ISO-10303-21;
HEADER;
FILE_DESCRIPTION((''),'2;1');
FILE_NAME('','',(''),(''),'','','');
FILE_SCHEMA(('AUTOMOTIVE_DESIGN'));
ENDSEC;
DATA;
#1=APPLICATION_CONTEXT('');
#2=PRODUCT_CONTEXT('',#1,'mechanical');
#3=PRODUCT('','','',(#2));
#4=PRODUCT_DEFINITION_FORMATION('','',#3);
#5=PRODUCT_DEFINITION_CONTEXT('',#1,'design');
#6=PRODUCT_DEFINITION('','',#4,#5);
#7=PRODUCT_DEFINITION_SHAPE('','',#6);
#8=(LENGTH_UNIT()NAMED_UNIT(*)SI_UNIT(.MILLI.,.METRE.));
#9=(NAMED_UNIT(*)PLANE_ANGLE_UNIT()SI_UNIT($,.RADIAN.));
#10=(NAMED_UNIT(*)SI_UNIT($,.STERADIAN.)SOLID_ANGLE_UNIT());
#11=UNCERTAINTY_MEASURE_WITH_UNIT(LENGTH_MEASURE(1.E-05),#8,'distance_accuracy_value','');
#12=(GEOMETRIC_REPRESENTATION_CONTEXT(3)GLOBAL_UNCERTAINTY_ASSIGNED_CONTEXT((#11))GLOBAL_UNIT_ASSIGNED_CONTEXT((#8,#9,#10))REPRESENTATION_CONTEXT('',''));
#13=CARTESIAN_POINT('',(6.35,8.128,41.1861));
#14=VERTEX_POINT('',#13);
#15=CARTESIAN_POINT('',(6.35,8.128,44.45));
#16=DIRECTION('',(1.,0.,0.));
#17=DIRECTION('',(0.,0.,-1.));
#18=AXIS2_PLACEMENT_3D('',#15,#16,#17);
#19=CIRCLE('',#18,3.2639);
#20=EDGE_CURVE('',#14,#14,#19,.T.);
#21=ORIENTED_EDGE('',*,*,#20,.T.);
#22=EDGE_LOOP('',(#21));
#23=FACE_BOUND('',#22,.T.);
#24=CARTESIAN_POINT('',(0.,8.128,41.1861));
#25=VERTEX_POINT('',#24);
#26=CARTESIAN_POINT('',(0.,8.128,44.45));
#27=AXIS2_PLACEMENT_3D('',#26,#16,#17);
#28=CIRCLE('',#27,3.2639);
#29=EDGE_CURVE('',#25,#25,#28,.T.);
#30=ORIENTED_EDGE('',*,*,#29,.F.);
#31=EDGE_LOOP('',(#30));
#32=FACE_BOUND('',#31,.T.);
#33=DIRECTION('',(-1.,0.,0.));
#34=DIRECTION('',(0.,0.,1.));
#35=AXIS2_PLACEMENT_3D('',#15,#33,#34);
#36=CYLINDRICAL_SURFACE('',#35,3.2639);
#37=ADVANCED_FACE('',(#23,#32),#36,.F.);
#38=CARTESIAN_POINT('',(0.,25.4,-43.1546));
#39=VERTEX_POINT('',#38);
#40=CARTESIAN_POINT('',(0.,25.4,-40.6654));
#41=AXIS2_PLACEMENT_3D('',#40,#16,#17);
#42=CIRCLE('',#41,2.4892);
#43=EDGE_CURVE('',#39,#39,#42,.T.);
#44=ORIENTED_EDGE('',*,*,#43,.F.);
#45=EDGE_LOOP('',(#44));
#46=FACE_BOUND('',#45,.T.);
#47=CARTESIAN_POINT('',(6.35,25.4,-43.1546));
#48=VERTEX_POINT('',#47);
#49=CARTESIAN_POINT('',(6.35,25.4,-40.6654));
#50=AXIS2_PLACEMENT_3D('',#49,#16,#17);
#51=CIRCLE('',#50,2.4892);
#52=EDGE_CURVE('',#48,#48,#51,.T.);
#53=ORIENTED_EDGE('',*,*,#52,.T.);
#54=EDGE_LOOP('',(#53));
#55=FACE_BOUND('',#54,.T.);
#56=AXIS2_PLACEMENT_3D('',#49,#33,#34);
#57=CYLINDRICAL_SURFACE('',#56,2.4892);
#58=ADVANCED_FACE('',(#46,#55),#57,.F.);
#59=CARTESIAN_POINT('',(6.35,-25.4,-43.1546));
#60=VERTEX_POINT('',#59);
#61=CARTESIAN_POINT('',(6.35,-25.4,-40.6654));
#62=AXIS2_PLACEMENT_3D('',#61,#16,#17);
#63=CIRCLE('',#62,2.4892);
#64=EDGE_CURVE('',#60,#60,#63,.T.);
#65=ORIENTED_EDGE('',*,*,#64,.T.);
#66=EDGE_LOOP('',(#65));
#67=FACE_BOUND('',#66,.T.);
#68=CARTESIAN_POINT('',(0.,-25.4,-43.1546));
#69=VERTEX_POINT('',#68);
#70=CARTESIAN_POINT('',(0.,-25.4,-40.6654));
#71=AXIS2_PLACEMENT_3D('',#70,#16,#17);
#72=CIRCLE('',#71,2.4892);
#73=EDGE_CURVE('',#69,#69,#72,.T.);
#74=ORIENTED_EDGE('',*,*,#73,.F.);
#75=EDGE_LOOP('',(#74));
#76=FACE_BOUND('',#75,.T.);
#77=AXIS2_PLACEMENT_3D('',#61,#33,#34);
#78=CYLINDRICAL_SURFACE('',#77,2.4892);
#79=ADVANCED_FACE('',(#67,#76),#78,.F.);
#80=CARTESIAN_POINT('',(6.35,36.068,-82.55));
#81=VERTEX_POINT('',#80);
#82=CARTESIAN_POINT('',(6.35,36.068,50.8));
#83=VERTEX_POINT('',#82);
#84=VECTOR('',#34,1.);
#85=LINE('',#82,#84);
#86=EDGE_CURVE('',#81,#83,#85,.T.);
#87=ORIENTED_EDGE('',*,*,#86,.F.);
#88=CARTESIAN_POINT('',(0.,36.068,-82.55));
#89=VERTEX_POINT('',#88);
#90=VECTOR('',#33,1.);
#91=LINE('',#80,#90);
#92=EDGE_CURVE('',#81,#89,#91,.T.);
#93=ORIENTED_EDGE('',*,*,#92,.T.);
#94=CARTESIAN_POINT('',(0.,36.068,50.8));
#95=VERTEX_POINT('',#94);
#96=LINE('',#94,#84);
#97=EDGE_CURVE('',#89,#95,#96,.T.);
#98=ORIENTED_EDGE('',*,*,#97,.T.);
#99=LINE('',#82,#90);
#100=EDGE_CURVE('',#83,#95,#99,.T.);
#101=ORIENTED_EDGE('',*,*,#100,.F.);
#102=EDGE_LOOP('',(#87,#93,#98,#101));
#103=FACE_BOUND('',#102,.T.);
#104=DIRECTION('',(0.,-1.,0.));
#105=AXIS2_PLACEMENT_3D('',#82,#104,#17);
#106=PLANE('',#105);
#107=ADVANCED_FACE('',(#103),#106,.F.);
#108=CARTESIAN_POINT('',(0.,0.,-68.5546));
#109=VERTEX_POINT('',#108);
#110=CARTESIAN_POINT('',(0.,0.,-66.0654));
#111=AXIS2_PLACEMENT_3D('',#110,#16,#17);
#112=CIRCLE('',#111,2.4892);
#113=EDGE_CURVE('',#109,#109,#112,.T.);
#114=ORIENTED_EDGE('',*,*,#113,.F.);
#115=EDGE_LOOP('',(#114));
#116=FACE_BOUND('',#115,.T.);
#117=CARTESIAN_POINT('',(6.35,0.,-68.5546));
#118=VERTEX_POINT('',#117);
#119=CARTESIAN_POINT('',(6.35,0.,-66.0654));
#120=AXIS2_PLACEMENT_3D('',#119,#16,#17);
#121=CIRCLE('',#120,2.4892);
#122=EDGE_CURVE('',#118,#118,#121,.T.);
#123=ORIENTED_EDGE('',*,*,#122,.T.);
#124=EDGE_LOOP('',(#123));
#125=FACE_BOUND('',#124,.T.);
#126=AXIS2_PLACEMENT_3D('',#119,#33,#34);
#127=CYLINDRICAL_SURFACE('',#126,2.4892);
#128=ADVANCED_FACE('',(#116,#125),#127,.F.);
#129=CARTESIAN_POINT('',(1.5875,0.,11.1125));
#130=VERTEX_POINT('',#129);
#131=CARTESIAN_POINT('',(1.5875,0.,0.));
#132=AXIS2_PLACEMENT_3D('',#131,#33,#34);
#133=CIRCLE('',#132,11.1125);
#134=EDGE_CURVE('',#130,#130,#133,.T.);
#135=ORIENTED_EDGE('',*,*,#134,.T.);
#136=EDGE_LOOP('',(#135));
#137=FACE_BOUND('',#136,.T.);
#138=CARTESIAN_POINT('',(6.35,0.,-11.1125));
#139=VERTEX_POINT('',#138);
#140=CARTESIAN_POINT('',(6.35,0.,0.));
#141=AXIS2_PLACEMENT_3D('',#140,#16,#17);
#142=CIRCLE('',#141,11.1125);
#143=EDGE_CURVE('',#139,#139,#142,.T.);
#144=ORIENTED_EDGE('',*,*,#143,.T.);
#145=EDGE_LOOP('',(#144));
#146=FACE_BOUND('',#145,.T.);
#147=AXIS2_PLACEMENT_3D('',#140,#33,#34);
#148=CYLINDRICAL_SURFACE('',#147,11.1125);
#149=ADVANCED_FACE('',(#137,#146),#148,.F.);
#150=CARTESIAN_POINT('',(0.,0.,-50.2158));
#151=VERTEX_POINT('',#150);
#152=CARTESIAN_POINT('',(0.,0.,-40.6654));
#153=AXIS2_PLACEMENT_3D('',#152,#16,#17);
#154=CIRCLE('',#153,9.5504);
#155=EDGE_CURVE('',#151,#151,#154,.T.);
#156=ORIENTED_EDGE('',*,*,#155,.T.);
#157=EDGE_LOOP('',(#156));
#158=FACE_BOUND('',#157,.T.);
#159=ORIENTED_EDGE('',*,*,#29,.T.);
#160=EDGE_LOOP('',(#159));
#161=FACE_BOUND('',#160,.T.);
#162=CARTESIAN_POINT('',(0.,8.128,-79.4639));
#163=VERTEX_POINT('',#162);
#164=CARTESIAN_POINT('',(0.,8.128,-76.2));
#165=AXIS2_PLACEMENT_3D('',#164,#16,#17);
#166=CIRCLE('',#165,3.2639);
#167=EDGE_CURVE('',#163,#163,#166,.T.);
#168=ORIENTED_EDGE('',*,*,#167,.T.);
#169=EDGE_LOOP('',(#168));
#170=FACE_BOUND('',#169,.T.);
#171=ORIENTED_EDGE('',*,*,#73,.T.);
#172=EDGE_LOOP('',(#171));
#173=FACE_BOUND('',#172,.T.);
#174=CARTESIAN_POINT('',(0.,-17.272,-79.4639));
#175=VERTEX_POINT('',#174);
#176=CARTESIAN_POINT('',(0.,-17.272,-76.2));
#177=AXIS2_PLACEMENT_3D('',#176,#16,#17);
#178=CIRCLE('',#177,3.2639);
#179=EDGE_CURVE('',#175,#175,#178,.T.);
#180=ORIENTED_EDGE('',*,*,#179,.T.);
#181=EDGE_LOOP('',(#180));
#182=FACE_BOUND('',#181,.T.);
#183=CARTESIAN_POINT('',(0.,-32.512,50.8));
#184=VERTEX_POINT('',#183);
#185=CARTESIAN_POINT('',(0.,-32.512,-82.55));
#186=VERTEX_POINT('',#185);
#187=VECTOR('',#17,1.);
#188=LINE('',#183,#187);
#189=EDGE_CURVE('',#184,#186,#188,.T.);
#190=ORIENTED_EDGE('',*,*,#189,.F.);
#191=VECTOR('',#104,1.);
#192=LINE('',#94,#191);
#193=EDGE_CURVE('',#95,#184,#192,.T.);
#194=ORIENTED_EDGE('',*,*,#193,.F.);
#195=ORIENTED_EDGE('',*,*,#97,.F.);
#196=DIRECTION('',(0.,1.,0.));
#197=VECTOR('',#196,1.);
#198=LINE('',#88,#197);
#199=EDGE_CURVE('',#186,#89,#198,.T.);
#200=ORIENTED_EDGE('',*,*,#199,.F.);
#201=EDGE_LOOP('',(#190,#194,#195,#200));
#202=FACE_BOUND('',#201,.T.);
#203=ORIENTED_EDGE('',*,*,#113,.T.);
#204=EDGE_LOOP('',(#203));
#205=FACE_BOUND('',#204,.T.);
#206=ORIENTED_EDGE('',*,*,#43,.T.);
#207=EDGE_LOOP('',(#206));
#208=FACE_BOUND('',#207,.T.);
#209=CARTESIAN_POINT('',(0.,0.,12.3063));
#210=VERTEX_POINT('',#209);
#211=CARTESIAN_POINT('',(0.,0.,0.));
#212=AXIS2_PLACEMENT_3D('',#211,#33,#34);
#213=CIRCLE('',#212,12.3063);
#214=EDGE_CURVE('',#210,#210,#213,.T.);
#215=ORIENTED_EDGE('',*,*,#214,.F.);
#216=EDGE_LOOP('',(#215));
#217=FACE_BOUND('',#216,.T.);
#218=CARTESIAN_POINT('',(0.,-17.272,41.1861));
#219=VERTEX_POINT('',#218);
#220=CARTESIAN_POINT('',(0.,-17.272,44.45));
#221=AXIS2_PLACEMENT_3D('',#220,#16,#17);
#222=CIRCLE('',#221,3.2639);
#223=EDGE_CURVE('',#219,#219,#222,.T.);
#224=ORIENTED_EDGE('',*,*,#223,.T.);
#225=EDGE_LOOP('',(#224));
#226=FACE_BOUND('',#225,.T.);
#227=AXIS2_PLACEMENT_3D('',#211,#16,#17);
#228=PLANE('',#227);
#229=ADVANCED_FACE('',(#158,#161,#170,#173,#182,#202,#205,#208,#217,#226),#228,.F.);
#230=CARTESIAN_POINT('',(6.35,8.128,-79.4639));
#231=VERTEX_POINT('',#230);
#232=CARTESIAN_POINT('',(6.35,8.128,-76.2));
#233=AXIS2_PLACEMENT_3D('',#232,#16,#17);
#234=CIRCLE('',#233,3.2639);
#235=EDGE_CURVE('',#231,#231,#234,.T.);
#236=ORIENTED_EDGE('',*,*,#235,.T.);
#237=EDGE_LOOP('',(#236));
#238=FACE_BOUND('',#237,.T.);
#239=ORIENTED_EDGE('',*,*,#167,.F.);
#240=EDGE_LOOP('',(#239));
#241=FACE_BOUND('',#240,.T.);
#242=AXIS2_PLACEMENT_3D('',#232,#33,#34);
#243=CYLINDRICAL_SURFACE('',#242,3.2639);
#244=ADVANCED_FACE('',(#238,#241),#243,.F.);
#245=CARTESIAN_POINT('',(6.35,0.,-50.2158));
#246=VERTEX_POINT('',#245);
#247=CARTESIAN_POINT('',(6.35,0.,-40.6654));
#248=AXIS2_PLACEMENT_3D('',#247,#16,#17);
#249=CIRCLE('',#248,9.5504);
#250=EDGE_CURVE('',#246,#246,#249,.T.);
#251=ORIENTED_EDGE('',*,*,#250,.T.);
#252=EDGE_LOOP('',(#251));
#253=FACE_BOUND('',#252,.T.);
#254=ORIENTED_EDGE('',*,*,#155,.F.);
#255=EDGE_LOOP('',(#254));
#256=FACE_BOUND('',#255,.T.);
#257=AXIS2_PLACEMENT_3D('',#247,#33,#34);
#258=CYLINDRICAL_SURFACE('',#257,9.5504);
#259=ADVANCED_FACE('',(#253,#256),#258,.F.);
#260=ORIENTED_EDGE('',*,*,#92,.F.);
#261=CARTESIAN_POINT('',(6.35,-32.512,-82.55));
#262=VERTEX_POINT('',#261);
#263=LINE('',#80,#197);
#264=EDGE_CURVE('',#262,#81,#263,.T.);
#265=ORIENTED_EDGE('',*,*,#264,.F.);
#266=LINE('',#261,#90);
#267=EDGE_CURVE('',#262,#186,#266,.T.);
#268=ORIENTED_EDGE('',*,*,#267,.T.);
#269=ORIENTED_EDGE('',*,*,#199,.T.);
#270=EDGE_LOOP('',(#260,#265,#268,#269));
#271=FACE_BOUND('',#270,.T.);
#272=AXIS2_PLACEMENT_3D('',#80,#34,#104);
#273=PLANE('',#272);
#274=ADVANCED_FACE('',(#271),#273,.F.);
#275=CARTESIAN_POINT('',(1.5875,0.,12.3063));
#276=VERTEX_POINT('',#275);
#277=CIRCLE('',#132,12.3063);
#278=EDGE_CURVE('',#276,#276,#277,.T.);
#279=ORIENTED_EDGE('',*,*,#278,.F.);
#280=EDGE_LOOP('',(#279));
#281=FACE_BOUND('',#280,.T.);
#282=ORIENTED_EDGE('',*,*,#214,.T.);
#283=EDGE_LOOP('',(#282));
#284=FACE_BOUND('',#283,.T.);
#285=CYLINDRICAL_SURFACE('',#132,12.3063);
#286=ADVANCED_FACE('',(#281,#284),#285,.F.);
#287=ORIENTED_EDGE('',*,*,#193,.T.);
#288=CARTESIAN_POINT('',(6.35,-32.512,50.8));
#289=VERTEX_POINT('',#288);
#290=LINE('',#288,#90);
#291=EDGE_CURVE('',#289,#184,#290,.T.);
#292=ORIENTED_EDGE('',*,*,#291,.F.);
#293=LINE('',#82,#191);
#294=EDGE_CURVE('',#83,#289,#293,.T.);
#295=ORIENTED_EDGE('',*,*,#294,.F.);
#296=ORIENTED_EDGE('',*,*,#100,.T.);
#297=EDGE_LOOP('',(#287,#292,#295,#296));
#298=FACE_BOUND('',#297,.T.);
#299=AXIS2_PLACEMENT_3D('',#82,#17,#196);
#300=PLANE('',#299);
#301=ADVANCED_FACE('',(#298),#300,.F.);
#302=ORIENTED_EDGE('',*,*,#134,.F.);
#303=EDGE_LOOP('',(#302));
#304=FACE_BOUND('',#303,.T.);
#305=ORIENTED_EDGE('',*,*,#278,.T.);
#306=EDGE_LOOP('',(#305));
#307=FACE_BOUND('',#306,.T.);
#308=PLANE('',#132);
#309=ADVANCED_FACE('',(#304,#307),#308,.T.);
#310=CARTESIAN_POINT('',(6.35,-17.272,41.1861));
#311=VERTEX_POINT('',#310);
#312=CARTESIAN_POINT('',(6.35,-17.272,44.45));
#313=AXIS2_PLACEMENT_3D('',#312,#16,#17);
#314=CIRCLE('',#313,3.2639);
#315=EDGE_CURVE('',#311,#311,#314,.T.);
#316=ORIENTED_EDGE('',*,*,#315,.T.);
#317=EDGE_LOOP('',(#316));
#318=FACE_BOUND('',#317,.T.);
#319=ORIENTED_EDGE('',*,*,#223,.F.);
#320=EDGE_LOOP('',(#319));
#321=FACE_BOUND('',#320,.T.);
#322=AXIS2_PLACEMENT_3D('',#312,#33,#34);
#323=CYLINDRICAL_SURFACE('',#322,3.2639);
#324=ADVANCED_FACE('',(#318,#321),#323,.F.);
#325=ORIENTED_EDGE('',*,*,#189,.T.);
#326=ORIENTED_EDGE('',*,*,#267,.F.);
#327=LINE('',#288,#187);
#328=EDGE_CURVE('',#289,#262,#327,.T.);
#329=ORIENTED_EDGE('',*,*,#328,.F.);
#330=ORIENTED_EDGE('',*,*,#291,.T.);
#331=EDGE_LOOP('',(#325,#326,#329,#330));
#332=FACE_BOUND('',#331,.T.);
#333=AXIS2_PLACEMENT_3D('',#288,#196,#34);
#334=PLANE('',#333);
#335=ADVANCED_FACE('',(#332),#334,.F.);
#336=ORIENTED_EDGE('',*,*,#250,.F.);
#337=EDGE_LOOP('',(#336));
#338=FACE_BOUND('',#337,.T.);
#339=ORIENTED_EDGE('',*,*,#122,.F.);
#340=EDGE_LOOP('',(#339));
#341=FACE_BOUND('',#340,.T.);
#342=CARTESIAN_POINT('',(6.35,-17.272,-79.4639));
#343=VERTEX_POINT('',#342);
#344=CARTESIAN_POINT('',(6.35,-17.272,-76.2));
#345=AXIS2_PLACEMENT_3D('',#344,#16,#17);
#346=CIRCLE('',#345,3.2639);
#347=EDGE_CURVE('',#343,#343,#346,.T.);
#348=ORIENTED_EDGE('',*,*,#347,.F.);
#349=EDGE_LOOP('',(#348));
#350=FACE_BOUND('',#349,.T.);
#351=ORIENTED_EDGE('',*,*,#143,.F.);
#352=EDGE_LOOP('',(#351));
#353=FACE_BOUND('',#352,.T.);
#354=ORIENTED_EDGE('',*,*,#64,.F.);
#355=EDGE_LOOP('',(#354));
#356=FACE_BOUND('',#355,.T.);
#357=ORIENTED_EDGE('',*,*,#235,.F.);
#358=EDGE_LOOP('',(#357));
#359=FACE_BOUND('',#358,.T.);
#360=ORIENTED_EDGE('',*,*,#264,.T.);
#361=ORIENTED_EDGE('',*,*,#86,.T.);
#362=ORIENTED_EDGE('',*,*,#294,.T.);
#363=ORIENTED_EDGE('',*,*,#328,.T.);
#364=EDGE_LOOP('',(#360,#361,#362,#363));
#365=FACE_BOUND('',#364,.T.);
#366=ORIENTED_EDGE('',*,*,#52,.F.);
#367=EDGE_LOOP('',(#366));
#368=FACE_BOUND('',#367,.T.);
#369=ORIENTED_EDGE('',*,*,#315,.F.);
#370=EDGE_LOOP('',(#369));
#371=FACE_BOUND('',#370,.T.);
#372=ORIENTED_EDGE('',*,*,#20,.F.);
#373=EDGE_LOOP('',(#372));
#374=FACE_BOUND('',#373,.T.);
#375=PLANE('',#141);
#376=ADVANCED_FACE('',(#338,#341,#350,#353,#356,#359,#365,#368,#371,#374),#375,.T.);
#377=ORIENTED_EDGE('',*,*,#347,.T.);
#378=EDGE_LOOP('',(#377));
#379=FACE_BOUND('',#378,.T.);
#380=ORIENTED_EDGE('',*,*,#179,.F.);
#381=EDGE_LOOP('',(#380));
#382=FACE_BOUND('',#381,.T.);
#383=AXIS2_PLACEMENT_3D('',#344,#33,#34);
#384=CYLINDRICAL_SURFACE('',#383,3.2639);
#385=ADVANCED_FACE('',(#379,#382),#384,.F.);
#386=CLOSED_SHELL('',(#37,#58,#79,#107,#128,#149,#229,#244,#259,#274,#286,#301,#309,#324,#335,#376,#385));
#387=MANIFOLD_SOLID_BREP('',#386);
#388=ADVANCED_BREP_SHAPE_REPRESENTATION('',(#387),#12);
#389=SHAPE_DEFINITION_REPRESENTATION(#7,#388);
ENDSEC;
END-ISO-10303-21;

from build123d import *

# Parameters (mm, degrees)
SKETCH1_W           = 133.35
SKETCH1_H           = 68.58
SKETCH1_R           = 11.1125
SKETCH1_R_2         = 9.5504
SKETCH1_R_3         = 2.4892
SKETCH1_R_4         = 3.2639
BOSS_EXTRUDE1_DEPTH = 6.35
SKETCH2_R           = 12.3063
CUT_EXTRUDE1_DEPTH  = 1.5875


with BuildPart() as part:
    # Sketch1 → Boss-Extrude1 (new body)
    with BuildSketch(Plane(origin=(0, 0, 0), x_dir=(0, 0, -1), z_dir=(1, 0, 0))):
        with Locations((15.875, 1.778)):
            Rectangle(SKETCH1_W, SKETCH1_H)
        Circle(SKETCH1_R, mode=Mode.SUBTRACT)
        with Locations((40.6654, 0)):
            Circle(SKETCH1_R_2, mode=Mode.SUBTRACT)
        with Locations((40.6654, 25.4)):
            Circle(SKETCH1_R_3, mode=Mode.SUBTRACT)
        with Locations((40.6654, -25.4)):
            Circle(SKETCH1_R_3, mode=Mode.SUBTRACT)
        with Locations((66.0654, 0)):
            Circle(SKETCH1_R_3, mode=Mode.SUBTRACT)
        with Locations((76.2, -17.272)):
            Circle(SKETCH1_R_4, mode=Mode.SUBTRACT)
        with Locations((76.2, 8.128)):
            Circle(SKETCH1_R_4, mode=Mode.SUBTRACT)
        with Locations((-44.45, 8.128)):
            Circle(SKETCH1_R_4, mode=Mode.SUBTRACT)
        with Locations((-44.45, -17.272)):
            Circle(SKETCH1_R_4, mode=Mode.SUBTRACT)
    extrude(amount=BOSS_EXTRUDE1_DEPTH)

    # Sketch2 → Cut-Extrude1 (cut)
    with BuildSketch(Plane.ZY):
        Circle(SKETCH2_R)
    extrude(amount=-CUT_EXTRUDE1_DEPTH, mode=Mode.SUBTRACT)


solid = part.part
